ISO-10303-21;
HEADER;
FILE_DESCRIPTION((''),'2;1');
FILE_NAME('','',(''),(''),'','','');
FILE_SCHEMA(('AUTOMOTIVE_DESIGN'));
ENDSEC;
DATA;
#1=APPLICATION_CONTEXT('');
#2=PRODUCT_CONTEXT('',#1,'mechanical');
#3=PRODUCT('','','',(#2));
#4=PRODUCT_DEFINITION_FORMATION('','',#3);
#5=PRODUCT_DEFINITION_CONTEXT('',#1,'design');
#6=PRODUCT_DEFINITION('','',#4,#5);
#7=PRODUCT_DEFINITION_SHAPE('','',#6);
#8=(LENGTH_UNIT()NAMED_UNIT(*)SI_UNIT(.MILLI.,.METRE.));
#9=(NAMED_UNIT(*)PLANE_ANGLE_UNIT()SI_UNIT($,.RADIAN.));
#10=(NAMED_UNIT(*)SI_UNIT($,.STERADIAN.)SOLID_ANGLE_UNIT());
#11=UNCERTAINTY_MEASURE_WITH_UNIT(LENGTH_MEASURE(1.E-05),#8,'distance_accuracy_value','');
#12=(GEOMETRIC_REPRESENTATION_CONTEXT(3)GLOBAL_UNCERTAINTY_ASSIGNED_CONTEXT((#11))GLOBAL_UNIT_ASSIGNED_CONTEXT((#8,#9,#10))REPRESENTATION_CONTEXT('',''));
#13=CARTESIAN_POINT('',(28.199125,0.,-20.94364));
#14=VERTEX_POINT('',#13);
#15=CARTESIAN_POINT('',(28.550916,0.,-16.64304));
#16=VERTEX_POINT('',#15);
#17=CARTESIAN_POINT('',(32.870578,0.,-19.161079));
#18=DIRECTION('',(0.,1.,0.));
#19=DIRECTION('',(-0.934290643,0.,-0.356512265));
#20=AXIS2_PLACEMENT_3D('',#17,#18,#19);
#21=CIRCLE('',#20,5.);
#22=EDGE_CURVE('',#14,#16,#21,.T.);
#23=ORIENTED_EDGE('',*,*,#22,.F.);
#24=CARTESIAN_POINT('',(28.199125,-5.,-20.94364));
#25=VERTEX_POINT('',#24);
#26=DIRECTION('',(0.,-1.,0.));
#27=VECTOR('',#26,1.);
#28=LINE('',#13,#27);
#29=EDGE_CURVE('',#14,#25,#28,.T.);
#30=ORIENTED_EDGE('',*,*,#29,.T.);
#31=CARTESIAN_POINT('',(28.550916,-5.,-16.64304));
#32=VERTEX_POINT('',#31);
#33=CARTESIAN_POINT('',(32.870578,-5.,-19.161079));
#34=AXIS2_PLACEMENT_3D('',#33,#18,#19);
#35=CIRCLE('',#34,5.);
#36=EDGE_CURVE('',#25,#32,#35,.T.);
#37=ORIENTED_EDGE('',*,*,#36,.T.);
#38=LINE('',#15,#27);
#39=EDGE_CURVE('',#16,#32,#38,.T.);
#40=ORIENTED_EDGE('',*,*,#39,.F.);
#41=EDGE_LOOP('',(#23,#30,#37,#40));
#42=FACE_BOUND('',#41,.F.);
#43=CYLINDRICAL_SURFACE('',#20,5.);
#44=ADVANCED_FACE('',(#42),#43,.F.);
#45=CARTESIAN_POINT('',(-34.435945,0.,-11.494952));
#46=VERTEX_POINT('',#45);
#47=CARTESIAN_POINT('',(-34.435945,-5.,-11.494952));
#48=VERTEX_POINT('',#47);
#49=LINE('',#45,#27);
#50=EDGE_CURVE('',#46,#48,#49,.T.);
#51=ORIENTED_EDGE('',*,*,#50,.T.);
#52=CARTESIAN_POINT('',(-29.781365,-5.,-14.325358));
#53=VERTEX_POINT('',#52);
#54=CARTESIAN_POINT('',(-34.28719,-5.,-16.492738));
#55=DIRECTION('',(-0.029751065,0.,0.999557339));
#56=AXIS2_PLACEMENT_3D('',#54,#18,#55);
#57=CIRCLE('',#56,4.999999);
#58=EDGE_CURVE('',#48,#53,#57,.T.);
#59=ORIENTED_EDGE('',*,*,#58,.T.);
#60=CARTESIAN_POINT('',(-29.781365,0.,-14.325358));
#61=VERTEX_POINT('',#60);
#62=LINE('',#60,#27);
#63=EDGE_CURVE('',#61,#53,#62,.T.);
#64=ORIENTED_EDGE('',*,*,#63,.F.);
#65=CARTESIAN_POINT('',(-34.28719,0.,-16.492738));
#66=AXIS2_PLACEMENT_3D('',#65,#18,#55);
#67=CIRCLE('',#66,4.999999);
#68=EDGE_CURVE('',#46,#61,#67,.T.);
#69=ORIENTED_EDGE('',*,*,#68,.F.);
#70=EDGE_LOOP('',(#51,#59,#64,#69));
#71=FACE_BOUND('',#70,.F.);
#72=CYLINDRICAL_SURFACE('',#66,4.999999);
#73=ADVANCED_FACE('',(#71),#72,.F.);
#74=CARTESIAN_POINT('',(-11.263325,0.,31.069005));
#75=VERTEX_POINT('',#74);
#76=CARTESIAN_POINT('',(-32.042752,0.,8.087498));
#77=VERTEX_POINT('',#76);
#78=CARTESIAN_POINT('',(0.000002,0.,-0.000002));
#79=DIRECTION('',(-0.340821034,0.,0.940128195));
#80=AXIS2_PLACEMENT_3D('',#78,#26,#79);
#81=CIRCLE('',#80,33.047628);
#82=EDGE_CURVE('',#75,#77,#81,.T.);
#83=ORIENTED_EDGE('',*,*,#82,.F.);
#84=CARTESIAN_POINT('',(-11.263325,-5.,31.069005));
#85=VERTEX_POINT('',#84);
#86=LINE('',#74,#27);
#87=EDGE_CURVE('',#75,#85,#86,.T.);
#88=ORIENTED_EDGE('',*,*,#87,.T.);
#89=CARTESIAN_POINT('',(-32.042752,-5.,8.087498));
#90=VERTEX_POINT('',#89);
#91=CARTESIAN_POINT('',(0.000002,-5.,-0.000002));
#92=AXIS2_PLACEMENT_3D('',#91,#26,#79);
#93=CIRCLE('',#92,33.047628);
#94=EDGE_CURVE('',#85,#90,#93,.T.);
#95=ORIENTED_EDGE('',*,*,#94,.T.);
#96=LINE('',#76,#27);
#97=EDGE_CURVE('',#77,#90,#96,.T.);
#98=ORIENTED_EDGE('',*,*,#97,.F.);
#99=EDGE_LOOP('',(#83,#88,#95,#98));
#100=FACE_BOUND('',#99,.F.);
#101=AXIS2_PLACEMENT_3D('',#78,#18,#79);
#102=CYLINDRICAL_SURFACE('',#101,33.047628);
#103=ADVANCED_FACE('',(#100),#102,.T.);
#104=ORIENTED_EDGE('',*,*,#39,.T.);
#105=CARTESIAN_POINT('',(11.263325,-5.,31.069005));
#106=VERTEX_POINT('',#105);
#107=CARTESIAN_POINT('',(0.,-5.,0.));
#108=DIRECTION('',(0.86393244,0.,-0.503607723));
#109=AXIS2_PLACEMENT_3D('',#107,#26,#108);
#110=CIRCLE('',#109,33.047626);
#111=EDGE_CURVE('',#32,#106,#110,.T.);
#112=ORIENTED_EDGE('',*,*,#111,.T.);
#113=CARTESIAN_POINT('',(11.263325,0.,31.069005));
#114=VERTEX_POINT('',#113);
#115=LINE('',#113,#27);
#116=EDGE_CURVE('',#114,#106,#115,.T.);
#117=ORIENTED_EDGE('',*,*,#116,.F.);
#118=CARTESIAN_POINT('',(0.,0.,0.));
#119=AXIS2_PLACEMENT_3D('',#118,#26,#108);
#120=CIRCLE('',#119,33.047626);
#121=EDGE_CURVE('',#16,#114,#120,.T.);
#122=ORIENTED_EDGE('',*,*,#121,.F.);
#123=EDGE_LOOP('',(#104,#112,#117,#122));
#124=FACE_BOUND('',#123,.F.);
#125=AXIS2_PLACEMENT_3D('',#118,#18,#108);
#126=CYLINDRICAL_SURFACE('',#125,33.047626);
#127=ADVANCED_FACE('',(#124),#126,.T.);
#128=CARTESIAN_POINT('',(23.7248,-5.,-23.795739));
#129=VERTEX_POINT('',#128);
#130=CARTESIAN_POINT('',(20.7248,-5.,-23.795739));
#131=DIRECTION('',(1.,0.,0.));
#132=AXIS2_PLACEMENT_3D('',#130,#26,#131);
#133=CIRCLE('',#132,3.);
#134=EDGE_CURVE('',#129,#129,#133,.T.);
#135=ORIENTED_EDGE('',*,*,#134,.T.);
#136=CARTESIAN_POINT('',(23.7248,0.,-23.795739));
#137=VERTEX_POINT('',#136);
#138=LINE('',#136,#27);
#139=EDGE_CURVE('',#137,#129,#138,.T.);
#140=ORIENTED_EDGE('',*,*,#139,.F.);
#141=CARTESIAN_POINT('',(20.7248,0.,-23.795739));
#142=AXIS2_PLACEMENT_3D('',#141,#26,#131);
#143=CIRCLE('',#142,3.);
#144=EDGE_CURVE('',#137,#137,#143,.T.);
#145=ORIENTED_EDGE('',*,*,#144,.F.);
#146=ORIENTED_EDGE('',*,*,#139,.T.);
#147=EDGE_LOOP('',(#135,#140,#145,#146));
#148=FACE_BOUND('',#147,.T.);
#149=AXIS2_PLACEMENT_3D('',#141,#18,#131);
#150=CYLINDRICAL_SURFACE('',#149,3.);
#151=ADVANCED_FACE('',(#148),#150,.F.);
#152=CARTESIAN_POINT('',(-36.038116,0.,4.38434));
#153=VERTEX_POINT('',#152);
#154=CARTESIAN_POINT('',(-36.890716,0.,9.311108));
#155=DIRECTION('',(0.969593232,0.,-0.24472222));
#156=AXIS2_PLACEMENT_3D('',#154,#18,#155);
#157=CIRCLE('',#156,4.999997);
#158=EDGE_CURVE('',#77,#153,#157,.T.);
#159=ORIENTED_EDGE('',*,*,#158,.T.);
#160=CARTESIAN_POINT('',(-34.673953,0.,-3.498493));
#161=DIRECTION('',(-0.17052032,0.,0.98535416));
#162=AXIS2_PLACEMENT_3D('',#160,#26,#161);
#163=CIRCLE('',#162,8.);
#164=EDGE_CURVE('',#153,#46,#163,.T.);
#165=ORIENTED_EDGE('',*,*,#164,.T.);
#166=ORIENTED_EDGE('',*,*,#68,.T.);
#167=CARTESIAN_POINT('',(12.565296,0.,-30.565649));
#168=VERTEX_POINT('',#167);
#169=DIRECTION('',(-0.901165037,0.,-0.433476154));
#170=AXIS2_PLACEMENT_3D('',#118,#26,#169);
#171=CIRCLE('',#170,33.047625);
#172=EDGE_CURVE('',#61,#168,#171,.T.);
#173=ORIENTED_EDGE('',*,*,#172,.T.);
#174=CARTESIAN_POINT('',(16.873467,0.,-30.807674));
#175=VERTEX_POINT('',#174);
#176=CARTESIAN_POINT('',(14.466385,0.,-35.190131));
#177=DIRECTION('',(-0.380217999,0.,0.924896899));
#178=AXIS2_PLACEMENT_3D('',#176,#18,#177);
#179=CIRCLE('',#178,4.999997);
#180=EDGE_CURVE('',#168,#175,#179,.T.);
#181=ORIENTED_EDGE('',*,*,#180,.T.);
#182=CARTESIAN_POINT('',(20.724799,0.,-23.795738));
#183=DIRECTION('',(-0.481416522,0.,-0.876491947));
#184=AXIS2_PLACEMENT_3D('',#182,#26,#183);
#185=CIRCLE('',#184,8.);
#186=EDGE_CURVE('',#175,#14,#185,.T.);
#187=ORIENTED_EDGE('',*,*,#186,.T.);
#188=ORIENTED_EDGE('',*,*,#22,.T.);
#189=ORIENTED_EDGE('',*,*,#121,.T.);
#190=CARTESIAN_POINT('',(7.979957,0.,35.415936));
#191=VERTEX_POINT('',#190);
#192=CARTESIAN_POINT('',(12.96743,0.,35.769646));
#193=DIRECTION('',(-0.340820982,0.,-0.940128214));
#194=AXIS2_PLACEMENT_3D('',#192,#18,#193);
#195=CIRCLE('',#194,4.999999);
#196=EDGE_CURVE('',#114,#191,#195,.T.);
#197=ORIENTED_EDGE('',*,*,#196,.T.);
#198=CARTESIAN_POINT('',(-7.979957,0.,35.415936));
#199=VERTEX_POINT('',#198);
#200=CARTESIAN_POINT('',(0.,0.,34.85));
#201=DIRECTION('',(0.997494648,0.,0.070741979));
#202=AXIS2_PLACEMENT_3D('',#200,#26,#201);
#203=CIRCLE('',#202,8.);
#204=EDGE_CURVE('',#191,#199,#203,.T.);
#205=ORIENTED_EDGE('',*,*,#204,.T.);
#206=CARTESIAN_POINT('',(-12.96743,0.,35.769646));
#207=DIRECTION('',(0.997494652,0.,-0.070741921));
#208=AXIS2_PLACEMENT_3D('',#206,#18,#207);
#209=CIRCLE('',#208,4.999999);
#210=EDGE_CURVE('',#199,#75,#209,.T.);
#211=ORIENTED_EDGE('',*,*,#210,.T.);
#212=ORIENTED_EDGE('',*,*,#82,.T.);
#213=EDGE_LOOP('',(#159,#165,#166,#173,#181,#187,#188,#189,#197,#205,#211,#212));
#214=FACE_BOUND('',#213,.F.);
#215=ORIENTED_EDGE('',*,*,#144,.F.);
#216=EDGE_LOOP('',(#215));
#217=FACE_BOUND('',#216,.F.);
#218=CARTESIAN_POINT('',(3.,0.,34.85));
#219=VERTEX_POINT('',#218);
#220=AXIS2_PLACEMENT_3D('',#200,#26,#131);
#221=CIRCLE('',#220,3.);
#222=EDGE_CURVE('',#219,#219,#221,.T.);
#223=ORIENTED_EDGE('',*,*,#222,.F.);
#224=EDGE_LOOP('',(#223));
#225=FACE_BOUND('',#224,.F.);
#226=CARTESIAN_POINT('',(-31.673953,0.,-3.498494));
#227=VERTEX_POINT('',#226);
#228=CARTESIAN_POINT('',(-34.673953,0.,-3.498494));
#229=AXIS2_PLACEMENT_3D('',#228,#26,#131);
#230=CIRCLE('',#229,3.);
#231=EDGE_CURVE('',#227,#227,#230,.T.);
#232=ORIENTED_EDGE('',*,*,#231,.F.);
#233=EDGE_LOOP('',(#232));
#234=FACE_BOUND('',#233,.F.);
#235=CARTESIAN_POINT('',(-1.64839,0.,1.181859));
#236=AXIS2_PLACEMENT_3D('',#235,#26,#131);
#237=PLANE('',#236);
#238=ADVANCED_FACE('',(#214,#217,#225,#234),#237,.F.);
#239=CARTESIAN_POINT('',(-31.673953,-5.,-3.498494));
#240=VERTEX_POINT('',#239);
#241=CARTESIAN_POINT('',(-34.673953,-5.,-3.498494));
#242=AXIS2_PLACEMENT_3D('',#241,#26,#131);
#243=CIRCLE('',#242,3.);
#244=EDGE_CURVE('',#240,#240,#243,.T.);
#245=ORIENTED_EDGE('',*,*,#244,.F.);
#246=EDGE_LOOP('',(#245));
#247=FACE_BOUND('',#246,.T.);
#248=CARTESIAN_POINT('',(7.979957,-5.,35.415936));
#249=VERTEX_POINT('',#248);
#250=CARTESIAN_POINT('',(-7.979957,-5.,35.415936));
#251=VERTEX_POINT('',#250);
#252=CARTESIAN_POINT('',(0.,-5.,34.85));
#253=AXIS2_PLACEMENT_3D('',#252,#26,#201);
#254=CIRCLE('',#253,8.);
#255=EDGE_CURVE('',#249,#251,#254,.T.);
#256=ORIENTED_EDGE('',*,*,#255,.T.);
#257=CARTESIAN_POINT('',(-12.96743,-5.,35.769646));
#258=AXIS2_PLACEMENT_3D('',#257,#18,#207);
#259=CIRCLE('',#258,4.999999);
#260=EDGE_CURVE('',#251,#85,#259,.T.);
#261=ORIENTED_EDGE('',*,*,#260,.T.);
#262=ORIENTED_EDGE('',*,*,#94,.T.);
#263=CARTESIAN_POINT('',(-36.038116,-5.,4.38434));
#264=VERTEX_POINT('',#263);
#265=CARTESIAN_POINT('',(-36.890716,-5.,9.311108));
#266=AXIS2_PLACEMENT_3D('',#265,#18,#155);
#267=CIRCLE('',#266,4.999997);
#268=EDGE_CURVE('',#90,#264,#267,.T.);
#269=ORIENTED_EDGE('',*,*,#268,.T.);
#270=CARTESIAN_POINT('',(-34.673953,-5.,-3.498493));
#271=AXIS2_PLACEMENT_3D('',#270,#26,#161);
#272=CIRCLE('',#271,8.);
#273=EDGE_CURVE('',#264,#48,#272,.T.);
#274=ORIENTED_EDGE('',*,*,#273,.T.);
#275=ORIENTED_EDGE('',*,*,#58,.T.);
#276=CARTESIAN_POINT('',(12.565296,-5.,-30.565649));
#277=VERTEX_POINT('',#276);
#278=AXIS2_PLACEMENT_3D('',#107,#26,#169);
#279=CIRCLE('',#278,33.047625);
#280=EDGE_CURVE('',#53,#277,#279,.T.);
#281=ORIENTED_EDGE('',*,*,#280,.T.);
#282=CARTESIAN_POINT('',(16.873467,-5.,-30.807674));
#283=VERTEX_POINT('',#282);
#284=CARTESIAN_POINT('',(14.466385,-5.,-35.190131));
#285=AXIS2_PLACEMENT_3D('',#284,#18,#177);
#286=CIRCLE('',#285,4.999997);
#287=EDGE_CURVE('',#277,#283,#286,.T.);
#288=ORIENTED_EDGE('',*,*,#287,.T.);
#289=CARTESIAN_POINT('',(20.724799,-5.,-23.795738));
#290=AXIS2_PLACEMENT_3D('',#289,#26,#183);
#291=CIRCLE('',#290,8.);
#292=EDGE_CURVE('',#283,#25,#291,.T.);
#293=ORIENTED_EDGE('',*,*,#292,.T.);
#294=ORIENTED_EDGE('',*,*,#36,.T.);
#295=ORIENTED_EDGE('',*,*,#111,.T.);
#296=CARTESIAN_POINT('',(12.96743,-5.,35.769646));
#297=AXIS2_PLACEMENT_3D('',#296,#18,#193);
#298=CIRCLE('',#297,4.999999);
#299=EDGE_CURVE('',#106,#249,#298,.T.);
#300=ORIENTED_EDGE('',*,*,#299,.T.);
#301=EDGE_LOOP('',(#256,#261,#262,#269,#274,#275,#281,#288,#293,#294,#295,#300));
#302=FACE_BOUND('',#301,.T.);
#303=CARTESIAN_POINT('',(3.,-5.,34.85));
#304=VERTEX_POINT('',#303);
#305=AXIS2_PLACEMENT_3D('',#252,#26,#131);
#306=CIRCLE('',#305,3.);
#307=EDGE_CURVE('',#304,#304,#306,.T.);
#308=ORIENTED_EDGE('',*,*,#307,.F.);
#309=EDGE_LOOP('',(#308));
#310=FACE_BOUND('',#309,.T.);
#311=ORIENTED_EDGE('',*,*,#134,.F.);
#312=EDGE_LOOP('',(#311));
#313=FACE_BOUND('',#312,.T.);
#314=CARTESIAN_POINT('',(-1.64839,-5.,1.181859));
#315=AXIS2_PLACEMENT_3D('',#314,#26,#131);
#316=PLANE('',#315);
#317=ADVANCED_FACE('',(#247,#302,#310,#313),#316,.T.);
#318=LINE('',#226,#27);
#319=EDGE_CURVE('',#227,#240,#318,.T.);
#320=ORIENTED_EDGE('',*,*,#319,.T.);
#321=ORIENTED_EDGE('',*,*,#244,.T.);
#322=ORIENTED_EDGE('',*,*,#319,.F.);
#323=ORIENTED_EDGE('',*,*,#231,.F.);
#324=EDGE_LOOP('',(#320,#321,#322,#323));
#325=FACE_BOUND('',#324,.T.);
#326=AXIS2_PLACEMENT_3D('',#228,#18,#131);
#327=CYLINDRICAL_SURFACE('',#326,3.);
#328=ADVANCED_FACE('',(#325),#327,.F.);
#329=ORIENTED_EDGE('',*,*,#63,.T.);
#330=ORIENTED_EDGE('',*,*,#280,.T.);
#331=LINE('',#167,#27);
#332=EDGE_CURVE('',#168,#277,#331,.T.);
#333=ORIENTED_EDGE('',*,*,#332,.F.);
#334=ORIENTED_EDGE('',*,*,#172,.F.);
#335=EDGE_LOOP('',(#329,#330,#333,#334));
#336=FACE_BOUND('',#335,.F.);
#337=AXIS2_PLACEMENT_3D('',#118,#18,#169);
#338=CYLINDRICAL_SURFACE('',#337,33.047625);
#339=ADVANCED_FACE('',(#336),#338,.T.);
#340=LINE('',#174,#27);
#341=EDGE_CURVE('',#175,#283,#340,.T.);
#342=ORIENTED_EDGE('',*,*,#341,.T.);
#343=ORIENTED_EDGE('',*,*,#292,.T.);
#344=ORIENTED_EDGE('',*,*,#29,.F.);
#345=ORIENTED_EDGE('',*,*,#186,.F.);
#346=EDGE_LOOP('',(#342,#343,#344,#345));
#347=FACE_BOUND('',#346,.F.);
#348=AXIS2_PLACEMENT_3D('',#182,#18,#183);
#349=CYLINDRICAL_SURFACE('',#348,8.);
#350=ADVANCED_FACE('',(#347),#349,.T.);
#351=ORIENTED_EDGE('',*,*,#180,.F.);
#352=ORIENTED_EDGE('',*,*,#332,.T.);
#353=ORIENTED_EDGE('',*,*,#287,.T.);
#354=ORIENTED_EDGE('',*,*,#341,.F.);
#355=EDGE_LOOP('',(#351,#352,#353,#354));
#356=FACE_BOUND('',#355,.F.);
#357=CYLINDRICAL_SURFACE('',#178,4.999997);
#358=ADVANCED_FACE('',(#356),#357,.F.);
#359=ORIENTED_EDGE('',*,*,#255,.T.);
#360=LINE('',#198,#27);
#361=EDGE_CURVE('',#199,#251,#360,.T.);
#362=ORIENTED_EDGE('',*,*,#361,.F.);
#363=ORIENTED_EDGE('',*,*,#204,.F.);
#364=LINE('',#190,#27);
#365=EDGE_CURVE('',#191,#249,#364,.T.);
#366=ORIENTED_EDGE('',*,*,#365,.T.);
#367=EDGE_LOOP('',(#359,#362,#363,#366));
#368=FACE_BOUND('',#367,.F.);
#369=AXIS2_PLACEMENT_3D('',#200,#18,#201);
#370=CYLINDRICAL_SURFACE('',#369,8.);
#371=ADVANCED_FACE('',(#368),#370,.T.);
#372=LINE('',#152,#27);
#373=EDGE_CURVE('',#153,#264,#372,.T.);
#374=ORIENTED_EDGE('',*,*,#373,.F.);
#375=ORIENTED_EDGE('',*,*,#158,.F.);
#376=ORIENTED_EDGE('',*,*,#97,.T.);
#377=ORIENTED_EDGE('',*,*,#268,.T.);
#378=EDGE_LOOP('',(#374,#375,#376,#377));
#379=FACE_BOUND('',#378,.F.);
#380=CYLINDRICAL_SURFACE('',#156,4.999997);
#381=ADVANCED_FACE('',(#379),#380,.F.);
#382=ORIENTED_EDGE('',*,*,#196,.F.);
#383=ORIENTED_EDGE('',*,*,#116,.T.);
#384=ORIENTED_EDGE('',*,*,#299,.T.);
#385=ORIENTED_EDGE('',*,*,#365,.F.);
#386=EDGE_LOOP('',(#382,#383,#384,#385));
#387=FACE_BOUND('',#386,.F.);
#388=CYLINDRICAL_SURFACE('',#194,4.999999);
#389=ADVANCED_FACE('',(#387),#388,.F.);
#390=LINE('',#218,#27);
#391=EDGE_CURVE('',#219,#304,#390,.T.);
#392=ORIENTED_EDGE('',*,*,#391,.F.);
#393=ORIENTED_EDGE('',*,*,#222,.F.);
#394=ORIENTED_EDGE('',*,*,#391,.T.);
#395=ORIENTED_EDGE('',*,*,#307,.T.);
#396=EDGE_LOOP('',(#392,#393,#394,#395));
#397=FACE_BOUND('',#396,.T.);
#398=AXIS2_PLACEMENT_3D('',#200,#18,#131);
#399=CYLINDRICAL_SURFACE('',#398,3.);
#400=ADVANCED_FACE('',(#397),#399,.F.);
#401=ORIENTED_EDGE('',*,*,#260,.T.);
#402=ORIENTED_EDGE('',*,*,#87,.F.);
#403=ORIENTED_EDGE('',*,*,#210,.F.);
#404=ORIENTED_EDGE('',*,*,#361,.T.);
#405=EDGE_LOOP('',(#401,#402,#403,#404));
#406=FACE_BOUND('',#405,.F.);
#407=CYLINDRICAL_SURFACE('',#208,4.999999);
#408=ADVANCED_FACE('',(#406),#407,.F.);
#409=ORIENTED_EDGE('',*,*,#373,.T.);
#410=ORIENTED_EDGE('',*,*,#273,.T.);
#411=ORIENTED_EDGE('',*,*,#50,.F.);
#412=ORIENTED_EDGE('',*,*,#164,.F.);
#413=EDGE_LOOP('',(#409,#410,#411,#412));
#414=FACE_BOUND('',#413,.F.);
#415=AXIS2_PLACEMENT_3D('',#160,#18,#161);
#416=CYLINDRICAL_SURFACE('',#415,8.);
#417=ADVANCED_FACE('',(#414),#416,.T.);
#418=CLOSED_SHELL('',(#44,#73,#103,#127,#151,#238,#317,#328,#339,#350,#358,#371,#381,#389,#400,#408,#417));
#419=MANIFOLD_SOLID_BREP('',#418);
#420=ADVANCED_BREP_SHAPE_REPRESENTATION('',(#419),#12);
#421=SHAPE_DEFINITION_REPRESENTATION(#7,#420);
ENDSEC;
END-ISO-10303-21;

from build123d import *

# Parameters (mm, degrees)
F0_R     = 3
F1_DEPTH = 5


with BuildPart() as f1:
    # F0 (on Front) → F1 (new body)
    with BuildSketch(Plane.XZ):
        with BuildLine():
            ThreePointArc((12.565296, -30.565649), (14.746833, -30.198005), (16.873467, -30.807674))
            ThreePointArc((16.873467, -30.807674), (25.97897, -29.828457), (28.199125, -20.94364))
            ThreePointArc((28.199125, -20.94364), (27.887223, -18.753438), (28.550916, -16.64304))
            ThreePointArc((28.550916, -16.64304), (31.070939, 11.257989), (11.263325, 31.069005))
            ThreePointArc((11.263325, 31.069005), (8.977661, 32.756053), (7.979957, 35.415936))
            ThreePointArc((7.979957, 35.415936), (0, 42.85), (-7.979957, 35.415936))
            ThreePointArc((-7.979957, 35.415936), (-8.977661, 32.756053), (-11.263325, 31.069005))
            ThreePointArc((-11.263325, 31.069005), (-24.513088, 22.164252), (-32.042752, 8.087498))
            ThreePointArc((-32.042752, 8.087498), (-33.491826, 5.644022), (-36.038116, 4.38434))
            ThreePointArc((-36.038116, 4.38434), (-42.633541, -4.301591), (-34.435945, -11.494952))
            ThreePointArc((-34.435945, -11.494952), (-31.689342, -12.220598), (-29.781365, -14.325358))
            ThreePointArc((-29.781365, -14.325358), (-11.833639, -30.856289), (12.565296, -30.565649))
        make_face()
        with Locations((-34.673953, -3.498494)):
            Circle(F0_R, mode=Mode.SUBTRACT)
        with Locations((20.7248, -23.795739)):
            Circle(F0_R, mode=Mode.SUBTRACT)
        with Locations((0, 34.85)):
            Circle(F0_R, mode=Mode.SUBTRACT)
    extrude(amount=F1_DEPTH)


solid = f1.part
